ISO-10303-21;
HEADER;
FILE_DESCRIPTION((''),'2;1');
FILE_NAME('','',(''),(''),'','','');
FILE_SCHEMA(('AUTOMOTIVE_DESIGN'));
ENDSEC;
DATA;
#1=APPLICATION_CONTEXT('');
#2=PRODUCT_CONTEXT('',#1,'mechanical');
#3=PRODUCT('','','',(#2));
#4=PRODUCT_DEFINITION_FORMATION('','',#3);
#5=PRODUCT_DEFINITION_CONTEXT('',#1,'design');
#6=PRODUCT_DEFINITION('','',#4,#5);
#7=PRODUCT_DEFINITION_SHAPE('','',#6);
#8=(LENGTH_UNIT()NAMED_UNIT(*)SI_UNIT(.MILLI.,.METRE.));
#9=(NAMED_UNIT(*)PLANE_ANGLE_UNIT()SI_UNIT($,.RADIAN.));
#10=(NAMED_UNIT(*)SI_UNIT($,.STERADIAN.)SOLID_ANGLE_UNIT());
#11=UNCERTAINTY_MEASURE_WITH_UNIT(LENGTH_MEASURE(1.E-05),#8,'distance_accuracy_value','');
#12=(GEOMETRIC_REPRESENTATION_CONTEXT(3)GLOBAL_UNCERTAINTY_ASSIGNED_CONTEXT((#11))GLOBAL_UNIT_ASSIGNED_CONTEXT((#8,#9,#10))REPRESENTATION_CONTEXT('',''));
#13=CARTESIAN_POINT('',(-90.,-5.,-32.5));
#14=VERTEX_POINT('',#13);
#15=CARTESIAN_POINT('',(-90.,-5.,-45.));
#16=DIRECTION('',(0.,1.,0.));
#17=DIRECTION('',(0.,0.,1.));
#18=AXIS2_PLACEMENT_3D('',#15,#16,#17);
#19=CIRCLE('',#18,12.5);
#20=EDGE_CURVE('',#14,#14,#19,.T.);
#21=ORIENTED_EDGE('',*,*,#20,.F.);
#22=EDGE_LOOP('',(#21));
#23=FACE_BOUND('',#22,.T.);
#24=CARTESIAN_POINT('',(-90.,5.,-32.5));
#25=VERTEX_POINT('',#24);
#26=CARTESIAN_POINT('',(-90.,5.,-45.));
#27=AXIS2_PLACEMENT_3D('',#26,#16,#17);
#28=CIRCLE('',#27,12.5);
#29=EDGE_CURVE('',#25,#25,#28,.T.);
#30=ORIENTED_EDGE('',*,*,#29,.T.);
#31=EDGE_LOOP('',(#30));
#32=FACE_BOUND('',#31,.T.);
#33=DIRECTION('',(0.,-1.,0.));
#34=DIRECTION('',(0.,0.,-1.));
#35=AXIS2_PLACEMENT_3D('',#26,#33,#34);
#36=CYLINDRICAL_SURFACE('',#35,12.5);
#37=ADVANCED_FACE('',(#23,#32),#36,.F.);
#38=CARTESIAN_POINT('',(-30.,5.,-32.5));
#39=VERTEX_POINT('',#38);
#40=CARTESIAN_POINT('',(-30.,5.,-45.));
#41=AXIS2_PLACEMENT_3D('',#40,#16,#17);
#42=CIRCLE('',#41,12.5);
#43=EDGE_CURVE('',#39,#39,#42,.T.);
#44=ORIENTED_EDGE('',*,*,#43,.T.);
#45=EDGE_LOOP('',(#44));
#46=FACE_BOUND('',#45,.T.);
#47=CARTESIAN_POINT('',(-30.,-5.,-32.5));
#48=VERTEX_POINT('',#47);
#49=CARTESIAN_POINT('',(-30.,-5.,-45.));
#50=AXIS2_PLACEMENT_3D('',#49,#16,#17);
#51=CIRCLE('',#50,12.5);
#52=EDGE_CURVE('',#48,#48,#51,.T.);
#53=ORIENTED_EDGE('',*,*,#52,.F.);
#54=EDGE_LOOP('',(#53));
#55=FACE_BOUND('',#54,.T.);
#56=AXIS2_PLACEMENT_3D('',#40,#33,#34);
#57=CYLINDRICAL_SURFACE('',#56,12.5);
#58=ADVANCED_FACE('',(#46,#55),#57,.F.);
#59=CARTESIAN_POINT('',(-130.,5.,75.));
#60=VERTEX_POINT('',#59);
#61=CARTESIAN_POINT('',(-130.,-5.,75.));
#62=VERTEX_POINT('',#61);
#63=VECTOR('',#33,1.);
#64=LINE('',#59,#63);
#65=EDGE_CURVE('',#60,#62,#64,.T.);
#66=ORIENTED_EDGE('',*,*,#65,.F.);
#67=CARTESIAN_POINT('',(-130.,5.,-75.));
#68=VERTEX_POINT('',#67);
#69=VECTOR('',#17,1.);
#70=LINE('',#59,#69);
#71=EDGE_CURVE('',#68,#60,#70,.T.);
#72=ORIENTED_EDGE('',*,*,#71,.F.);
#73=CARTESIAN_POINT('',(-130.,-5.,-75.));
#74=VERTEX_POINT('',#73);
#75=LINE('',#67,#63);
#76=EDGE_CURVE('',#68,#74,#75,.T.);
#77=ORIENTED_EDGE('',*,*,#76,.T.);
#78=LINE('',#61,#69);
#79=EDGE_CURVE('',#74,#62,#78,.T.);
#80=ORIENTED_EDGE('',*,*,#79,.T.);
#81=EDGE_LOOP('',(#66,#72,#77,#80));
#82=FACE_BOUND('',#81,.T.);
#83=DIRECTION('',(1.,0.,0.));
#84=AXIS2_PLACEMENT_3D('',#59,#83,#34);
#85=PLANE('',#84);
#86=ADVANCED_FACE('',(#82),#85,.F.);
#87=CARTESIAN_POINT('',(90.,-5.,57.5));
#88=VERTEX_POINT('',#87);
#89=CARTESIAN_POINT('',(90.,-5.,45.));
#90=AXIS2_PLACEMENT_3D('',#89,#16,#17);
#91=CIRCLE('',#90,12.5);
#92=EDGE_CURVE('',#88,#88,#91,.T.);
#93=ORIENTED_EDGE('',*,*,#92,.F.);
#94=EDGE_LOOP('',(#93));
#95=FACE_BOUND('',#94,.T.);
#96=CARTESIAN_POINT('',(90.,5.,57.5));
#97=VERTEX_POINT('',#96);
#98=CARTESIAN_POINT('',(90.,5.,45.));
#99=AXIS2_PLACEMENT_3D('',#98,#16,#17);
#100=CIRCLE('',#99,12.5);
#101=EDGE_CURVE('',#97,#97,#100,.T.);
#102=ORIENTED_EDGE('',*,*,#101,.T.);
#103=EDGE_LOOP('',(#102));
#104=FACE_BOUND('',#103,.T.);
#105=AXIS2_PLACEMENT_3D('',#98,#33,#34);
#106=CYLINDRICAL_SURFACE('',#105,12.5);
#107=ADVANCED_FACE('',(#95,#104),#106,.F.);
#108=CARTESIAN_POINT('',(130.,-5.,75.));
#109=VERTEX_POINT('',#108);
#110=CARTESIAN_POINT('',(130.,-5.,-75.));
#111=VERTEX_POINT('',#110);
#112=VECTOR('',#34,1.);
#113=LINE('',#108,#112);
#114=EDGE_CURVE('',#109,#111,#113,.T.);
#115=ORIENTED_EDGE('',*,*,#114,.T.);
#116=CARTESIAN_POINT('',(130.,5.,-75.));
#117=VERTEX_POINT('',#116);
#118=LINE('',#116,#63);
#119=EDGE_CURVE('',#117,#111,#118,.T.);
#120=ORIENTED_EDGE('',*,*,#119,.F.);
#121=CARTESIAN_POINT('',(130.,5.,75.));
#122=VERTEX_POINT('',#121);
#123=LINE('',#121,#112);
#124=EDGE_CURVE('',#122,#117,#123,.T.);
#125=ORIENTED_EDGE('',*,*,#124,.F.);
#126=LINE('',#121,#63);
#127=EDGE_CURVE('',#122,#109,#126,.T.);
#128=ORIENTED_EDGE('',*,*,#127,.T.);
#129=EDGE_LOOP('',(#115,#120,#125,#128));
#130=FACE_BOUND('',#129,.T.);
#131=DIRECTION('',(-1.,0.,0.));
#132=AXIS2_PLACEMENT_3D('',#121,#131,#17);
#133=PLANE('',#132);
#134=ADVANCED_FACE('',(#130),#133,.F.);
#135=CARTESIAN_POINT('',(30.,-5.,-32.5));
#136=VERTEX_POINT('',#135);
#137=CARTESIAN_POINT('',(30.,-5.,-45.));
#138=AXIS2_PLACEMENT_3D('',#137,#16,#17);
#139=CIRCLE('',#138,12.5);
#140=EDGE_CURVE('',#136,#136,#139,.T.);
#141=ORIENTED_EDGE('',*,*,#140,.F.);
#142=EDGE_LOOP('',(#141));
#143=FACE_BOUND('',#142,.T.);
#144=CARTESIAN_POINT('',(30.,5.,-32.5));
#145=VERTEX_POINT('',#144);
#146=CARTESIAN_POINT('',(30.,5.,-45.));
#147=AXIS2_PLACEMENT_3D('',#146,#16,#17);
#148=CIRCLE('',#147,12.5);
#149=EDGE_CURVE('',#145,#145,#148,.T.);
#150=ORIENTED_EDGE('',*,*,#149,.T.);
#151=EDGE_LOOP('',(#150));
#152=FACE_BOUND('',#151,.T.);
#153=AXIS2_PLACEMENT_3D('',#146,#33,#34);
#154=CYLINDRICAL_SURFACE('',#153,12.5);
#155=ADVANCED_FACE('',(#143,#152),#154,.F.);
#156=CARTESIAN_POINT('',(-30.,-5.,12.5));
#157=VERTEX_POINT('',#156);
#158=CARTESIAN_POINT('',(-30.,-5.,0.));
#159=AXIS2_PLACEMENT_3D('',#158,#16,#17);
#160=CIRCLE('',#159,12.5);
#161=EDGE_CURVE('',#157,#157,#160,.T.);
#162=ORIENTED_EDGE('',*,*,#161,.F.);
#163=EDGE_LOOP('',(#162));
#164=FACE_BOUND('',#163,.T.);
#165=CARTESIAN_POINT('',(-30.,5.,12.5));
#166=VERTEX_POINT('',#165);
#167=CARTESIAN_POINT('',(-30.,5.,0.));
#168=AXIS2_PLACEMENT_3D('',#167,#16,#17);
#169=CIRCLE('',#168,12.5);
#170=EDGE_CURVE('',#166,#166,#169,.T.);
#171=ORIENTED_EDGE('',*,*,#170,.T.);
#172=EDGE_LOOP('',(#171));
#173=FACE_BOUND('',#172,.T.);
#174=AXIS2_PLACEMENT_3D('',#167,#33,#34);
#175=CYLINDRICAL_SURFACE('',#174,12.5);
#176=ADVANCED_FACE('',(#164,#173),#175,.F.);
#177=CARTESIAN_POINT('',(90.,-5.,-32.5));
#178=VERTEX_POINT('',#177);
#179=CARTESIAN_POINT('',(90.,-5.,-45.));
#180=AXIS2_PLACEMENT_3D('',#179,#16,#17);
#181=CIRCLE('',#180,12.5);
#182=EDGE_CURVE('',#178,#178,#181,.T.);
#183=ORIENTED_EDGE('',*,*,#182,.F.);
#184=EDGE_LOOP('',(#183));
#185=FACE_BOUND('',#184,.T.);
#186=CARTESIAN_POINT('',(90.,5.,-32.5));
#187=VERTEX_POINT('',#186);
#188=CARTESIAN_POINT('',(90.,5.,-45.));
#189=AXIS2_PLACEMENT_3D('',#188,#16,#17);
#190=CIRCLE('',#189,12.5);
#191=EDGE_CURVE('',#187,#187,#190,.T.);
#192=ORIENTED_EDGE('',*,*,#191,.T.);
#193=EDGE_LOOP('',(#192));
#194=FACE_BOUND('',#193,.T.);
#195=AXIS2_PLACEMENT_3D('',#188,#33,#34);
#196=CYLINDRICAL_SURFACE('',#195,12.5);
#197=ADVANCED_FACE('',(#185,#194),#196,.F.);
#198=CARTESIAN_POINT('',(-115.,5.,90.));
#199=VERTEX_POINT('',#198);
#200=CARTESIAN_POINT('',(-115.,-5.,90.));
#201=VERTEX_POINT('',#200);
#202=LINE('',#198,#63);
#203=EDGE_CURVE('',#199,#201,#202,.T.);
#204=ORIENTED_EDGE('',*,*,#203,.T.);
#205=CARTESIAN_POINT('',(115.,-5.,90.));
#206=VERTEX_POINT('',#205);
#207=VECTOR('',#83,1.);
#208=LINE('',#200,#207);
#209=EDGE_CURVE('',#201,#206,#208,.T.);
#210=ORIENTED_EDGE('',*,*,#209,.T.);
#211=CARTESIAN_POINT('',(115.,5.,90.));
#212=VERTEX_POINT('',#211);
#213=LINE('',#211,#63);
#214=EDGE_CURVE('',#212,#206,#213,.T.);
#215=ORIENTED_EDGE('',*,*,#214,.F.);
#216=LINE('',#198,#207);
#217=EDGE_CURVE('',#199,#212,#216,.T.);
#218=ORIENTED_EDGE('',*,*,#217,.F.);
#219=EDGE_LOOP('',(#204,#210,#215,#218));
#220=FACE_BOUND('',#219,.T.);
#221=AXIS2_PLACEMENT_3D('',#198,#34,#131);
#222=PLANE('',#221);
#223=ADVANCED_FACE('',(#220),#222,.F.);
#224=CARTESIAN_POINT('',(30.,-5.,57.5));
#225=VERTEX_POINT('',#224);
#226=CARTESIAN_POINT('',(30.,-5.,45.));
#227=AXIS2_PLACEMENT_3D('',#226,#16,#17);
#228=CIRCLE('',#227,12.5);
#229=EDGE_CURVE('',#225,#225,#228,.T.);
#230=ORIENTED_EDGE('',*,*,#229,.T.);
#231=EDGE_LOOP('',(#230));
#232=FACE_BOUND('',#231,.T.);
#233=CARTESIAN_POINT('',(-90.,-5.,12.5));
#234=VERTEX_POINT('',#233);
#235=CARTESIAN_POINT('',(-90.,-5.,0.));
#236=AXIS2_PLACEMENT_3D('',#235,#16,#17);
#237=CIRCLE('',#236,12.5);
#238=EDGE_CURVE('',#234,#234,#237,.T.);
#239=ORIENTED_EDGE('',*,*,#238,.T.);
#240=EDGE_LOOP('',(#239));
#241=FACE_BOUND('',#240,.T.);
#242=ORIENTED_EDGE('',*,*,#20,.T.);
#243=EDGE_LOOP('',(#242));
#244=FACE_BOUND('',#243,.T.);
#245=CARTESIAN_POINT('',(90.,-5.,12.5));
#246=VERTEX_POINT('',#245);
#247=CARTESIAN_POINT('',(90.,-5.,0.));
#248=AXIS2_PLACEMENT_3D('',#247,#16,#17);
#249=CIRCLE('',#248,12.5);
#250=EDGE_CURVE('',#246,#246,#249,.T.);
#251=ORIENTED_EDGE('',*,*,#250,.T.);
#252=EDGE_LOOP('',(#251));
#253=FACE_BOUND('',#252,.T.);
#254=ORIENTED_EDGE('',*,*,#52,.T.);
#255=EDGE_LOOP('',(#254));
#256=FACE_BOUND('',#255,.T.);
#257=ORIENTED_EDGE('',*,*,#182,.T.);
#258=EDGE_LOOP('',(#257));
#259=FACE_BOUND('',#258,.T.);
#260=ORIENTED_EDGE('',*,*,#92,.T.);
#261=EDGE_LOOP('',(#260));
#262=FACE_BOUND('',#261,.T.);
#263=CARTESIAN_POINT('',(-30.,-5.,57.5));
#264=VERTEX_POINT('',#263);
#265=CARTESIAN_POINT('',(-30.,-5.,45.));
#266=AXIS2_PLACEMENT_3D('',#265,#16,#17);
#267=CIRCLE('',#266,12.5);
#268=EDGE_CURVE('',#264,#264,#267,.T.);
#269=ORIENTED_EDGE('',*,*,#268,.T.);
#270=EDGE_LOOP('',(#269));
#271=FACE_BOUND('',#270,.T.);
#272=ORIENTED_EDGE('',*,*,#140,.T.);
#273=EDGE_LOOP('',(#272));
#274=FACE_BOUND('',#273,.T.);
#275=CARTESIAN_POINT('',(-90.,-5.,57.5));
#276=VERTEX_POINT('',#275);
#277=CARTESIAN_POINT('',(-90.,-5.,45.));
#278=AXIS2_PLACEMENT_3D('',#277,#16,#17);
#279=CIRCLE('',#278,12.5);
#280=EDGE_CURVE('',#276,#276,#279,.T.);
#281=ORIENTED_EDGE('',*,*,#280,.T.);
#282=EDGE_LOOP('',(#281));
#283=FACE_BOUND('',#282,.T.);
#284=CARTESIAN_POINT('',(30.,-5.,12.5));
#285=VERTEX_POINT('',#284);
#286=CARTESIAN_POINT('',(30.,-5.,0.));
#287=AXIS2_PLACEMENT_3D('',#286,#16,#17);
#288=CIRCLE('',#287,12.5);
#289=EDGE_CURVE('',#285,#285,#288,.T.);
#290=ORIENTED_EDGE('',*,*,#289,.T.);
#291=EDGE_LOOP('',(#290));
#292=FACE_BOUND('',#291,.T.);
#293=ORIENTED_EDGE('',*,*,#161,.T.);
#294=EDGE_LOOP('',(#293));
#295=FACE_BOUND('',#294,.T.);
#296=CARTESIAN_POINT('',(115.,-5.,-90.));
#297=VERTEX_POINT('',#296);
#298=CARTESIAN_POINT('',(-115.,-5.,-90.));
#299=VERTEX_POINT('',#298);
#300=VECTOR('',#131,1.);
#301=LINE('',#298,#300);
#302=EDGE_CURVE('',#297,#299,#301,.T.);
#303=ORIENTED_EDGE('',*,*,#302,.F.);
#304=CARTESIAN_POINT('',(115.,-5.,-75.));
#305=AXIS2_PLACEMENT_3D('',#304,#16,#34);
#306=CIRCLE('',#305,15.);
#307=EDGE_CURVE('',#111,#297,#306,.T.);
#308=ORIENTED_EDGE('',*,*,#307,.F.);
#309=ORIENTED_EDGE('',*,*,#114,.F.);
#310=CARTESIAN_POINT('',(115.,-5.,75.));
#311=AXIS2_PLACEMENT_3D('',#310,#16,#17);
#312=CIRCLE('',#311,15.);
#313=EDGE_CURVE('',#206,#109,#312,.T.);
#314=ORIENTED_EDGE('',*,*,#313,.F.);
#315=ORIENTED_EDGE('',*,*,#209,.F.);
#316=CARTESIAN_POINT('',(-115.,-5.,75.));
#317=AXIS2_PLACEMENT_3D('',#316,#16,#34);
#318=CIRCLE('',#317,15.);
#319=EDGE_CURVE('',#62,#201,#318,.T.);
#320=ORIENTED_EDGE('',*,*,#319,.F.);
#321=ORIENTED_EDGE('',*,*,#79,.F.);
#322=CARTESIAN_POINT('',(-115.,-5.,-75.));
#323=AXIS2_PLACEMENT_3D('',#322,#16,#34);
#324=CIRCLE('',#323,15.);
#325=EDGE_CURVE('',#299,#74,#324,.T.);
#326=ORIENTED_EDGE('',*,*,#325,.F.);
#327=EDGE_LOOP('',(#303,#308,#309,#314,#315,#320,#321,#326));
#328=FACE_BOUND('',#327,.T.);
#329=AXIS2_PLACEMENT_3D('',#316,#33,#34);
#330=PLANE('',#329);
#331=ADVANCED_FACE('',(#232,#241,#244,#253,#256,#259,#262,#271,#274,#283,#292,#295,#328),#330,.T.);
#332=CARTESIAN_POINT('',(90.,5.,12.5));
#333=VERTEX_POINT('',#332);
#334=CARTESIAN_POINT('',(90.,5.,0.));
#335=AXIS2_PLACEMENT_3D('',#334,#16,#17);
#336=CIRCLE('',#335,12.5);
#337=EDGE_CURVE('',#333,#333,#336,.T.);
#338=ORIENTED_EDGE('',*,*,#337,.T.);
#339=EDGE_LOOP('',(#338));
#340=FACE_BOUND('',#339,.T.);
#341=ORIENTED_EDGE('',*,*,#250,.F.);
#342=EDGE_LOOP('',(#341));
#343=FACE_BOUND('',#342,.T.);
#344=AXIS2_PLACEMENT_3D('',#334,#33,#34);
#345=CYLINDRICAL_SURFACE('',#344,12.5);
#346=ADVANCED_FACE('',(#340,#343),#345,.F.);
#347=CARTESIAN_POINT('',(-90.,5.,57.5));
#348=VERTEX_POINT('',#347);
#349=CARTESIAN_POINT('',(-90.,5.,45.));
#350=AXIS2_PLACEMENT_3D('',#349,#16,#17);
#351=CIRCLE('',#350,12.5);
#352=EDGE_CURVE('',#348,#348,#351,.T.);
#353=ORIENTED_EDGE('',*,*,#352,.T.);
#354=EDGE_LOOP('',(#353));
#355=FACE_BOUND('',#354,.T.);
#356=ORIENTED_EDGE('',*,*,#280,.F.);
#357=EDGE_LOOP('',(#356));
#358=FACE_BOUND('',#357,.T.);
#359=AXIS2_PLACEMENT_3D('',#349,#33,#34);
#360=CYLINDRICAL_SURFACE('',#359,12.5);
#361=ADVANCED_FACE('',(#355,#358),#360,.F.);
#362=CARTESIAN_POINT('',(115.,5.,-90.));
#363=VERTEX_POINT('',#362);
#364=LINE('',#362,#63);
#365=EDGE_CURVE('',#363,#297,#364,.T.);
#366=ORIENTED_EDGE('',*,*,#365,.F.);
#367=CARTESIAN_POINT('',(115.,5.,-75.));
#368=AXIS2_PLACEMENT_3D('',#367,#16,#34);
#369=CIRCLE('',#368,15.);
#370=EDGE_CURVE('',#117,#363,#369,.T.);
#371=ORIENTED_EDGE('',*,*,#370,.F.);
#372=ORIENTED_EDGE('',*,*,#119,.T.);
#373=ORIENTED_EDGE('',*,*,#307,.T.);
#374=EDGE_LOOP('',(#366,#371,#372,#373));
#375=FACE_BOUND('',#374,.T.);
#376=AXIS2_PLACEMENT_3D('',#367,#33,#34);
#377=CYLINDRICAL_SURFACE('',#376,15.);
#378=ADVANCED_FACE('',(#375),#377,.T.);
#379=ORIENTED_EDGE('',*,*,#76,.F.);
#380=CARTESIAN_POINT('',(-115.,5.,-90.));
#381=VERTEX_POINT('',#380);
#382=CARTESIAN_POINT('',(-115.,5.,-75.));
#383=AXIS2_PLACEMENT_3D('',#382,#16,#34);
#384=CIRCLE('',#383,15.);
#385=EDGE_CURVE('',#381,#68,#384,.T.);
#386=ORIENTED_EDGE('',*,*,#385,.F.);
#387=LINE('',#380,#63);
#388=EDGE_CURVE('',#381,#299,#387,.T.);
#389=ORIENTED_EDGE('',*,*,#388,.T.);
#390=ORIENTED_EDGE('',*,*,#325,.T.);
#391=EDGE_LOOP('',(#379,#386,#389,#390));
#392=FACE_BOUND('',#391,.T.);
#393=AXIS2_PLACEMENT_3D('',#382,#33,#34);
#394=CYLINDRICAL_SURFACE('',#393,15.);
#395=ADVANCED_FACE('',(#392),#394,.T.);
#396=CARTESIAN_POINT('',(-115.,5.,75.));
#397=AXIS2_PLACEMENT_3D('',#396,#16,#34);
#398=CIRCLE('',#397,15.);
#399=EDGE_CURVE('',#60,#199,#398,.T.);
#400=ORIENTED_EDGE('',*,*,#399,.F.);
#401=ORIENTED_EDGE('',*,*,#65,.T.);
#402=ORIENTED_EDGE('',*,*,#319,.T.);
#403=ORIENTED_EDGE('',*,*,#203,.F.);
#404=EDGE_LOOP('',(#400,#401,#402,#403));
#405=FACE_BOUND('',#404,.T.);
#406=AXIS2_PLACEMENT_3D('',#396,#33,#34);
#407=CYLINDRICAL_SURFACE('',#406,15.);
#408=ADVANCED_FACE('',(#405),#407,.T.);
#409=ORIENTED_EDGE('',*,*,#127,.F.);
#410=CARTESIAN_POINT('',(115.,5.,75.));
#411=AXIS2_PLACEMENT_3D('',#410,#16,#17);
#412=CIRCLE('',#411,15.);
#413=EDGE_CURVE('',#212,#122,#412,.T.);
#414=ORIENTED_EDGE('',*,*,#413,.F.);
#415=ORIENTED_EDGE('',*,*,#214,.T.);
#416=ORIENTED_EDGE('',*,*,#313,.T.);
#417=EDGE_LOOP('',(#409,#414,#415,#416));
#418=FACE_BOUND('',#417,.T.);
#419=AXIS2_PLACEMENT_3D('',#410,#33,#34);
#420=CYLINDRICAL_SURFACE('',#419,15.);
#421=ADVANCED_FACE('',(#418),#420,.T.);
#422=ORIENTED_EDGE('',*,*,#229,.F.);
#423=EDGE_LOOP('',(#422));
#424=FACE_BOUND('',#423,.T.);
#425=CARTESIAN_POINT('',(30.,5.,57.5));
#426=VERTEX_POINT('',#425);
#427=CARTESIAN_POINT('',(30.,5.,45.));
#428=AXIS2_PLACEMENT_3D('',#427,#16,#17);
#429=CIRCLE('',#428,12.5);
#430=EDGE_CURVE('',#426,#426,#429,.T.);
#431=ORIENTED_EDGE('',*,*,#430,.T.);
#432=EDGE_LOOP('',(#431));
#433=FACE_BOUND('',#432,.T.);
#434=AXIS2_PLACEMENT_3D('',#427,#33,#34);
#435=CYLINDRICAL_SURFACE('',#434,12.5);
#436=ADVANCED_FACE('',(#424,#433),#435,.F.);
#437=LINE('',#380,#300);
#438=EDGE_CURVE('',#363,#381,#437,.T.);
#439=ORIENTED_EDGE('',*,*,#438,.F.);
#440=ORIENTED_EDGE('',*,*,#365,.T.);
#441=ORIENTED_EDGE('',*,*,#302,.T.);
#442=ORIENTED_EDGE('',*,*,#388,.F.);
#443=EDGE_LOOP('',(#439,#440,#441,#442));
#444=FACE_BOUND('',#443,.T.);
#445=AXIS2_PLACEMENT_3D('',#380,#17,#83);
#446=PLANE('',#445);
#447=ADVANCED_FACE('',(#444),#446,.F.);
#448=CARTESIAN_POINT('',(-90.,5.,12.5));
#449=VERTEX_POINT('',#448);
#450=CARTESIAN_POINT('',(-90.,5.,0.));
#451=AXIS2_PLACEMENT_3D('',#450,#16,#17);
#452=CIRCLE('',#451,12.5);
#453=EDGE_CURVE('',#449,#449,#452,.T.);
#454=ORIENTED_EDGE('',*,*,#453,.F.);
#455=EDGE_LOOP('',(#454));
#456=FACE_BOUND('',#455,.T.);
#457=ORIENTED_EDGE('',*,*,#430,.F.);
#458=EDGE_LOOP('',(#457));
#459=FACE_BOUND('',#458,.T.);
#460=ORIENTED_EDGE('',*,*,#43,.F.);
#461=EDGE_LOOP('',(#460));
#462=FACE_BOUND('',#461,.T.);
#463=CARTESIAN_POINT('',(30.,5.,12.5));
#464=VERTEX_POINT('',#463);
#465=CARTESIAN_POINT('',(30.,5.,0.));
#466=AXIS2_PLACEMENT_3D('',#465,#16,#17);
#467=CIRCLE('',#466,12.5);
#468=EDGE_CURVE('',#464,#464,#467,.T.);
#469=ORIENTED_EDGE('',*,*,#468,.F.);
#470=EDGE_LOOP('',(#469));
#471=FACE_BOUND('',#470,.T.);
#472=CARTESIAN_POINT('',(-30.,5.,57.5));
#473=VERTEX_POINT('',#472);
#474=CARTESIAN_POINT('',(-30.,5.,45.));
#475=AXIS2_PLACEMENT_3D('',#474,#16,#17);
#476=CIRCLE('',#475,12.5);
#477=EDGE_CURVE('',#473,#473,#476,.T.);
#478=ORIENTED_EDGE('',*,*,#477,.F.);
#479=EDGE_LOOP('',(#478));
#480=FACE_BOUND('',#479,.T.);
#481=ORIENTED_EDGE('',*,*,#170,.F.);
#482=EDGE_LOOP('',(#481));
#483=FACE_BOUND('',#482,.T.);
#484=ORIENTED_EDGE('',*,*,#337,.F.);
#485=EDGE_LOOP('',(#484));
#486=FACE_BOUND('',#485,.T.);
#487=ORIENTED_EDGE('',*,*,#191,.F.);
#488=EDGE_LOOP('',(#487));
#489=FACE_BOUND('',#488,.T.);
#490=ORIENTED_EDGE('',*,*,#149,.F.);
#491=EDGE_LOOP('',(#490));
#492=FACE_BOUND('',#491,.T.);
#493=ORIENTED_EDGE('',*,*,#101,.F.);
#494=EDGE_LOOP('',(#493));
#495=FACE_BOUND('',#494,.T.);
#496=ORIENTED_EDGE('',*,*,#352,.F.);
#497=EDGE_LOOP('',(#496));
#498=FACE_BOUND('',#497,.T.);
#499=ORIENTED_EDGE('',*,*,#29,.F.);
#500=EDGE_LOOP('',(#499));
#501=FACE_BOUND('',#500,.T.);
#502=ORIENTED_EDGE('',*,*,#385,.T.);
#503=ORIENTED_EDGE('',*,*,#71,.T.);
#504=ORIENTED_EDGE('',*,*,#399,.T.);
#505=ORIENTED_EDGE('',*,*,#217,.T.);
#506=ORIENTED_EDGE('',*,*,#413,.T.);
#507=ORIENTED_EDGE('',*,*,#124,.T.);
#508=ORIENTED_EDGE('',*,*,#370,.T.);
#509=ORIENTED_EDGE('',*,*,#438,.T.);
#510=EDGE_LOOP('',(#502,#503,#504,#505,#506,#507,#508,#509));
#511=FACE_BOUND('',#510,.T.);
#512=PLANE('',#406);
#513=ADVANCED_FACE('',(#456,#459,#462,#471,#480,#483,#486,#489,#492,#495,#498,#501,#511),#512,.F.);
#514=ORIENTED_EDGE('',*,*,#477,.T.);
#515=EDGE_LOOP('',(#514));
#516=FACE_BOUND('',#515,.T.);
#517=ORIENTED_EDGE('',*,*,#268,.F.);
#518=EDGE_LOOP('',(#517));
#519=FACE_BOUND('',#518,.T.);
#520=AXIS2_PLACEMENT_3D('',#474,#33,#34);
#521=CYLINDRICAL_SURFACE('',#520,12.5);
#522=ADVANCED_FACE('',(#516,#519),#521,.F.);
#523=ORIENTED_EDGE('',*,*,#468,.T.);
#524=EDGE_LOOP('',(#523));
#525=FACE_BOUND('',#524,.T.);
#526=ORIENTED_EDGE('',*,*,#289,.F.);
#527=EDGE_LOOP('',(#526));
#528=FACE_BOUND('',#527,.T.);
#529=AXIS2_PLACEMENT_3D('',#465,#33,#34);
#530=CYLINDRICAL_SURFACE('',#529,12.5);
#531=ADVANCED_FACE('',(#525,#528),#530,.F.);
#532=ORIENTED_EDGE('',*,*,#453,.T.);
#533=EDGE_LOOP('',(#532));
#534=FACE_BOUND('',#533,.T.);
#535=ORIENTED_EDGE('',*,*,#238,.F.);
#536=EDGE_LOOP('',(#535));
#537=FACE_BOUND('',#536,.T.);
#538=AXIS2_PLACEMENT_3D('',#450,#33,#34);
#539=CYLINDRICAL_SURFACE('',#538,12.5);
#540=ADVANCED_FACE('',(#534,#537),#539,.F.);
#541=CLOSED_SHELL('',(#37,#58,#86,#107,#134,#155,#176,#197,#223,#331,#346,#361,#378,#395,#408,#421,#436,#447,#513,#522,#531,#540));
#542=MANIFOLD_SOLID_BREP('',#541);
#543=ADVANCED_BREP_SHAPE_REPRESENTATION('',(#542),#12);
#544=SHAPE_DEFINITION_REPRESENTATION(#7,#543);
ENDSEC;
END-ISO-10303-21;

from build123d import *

# Parameters (mm, degrees)
SKETCH1_R           = 12.5
BOSS_EXTRUDE1_DEPTH = 5


with BuildPart() as part:
    # Sketch1 → Boss-Extrude1 (new body, symmetric)
    with BuildSketch(Plane(origin=(0, 0, 0), x_dir=(1, 0, 0), z_dir=(0, 1, 0))):
        with BuildLine():
            Line((-115, -90), (115, -90))
            ThreePointArc((115, -90), (125.606601718, -85.606601718), (130, -75))
            Line((130, -75), (130, 75))
            ThreePointArc((130, 75), (125.606601718, 85.606601718), (115, 90))
            Line((115, 90), (-115, 90))
            ThreePointArc((-115, 90), (-125.606601718, 85.606601718), (-130, 75))
            Line((-130, 75), (-130, -75))
            ThreePointArc((-130, -75), (-125.606601718, -85.606601718), (-115, -90))
        make_face()
        with Locations((-90, 45)):
            Circle(SKETCH1_R, mode=Mode.SUBTRACT)
        with Locations((-30, 45)):
            Circle(SKETCH1_R, mode=Mode.SUBTRACT)
        with Locations((30, 45)):
            Circle(SKETCH1_R, mode=Mode.SUBTRACT)
        with Locations((90, 45)):
            Circle(SKETCH1_R, mode=Mode.SUBTRACT)
        with Locations((-30, 0)):
            Circle(SKETCH1_R, mode=Mode.SUBTRACT)
        with Locations((30, 0)):
            Circle(SKETCH1_R, mode=Mode.SUBTRACT)
        with Locations((90, 0)):
            Circle(SKETCH1_R, mode=Mode.SUBTRACT)
        with Locations((-30, -45)):
            Circle(SKETCH1_R, mode=Mode.SUBTRACT)
        with Locations((30, -45)):
            Circle(SKETCH1_R, mode=Mode.SUBTRACT)
        with Locations((90, -45)):
            Circle(SKETCH1_R, mode=Mode.SUBTRACT)
        with Locations((-90, 0)):
            Circle(SKETCH1_R, mode=Mode.SUBTRACT)
        with Locations((-90, -45)):
            Circle(SKETCH1_R, mode=Mode.SUBTRACT)
    extrude(amount=BOSS_EXTRUDE1_DEPTH, both=True)


solid = part.part
